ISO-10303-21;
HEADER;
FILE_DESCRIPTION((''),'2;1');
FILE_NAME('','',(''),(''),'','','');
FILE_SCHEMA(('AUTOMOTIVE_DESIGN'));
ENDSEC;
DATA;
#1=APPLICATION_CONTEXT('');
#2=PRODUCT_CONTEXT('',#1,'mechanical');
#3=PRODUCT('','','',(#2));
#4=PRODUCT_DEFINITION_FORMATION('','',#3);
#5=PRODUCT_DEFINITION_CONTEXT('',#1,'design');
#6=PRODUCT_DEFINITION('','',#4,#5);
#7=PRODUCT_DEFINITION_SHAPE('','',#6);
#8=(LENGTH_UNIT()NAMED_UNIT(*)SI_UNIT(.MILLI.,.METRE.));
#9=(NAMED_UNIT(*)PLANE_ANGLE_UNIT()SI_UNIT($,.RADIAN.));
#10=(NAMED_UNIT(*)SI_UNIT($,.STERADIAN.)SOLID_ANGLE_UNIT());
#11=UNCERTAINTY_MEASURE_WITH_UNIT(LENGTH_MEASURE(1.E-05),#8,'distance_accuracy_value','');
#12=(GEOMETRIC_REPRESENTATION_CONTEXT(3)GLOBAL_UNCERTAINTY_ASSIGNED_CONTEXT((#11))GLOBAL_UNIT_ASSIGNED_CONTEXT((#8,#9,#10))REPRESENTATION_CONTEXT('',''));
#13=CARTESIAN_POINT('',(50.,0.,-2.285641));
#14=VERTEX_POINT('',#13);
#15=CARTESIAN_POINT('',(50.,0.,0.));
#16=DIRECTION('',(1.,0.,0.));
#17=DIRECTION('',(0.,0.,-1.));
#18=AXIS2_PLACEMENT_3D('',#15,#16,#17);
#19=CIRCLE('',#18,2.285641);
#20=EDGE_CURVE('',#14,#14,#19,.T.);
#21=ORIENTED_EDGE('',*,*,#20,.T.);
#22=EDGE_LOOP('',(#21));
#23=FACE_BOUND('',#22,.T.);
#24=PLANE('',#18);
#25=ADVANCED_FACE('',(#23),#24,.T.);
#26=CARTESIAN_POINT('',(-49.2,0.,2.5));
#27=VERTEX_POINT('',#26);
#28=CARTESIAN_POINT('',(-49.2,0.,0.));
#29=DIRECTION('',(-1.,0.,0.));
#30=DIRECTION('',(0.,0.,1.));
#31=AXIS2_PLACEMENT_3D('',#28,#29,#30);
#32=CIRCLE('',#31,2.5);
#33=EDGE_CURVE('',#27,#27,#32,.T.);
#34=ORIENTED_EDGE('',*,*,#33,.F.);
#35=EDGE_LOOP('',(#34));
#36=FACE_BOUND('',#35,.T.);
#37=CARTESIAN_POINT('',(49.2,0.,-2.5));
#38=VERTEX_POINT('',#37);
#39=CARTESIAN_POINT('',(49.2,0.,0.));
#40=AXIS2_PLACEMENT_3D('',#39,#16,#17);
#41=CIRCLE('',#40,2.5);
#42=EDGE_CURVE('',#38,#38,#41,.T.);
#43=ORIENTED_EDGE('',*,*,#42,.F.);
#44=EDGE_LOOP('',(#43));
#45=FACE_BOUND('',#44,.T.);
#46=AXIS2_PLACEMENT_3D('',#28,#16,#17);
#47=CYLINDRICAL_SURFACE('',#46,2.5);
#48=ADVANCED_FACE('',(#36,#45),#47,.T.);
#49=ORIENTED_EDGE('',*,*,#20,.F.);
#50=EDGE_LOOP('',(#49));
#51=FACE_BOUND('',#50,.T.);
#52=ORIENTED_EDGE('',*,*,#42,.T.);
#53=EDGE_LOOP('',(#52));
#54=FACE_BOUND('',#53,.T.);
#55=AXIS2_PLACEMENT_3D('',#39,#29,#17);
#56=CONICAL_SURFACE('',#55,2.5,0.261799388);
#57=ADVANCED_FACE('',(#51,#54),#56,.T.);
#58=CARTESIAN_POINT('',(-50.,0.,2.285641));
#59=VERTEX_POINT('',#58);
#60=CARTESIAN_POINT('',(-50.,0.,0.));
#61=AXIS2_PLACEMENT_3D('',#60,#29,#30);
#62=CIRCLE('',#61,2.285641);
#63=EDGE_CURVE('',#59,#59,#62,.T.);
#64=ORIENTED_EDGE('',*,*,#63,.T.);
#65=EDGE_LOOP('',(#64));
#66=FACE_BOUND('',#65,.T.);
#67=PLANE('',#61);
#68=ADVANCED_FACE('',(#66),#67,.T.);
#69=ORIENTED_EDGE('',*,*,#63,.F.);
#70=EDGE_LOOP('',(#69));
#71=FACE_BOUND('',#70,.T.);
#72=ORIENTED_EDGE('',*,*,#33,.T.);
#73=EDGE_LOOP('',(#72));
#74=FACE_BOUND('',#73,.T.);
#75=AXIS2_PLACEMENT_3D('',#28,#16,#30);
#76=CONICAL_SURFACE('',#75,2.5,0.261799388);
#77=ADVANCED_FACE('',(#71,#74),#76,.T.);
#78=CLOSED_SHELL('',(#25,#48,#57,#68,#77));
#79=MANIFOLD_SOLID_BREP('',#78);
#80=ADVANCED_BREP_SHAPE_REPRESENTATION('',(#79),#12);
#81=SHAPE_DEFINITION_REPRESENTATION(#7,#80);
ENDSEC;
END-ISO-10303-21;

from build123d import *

# Parameters (mm, degrees)
EXTRUDE1_DEPTH      = 49.2
EXTRUDE1_DEPTH_BACK = 49.2
SKETCH2_R           = 2.5
SKETCH3_R           = 2.5
EXTRUDE2_DEPTH      = 0.8
EXTRUDE2_TAPER      = 15
SKETCH4_R           = 2.5
EXTRUDE3_DEPTH      = 0.8
EXTRUDE3_TAPER      = 15


with BuildPart() as part:
    # Sketch2 → Extrude1 (new, two sides: drawn at the far end of the back side and taken through both)
    with BuildSketch(Plane(origin=(0, 0, 0), x_dir=(0, 0, -1), z_dir=(1, 0, 0)).offset(-EXTRUDE1_DEPTH_BACK)):
        Circle(SKETCH2_R)
    extrude(amount=EXTRUDE1_DEPTH + EXTRUDE1_DEPTH_BACK)

    # Sketch3 → Extrude2 (add)
    with BuildSketch(Plane(origin=(49.2, 0, 0), x_dir=(0, 0, -1), z_dir=(1, 0, 0))):
        Circle(SKETCH3_R)
    extrude(amount=EXTRUDE2_DEPTH, taper=EXTRUDE2_TAPER)

    # Sketch4 → Extrude3 (add)
    with BuildSketch(Plane.ZY.offset(49.2)):
        with Locations(Location((0, 0, 0), (0, 0, 180))):
            Circle(SKETCH4_R)
    extrude(amount=EXTRUDE3_DEPTH, taper=EXTRUDE3_TAPER)


solid = part.part
